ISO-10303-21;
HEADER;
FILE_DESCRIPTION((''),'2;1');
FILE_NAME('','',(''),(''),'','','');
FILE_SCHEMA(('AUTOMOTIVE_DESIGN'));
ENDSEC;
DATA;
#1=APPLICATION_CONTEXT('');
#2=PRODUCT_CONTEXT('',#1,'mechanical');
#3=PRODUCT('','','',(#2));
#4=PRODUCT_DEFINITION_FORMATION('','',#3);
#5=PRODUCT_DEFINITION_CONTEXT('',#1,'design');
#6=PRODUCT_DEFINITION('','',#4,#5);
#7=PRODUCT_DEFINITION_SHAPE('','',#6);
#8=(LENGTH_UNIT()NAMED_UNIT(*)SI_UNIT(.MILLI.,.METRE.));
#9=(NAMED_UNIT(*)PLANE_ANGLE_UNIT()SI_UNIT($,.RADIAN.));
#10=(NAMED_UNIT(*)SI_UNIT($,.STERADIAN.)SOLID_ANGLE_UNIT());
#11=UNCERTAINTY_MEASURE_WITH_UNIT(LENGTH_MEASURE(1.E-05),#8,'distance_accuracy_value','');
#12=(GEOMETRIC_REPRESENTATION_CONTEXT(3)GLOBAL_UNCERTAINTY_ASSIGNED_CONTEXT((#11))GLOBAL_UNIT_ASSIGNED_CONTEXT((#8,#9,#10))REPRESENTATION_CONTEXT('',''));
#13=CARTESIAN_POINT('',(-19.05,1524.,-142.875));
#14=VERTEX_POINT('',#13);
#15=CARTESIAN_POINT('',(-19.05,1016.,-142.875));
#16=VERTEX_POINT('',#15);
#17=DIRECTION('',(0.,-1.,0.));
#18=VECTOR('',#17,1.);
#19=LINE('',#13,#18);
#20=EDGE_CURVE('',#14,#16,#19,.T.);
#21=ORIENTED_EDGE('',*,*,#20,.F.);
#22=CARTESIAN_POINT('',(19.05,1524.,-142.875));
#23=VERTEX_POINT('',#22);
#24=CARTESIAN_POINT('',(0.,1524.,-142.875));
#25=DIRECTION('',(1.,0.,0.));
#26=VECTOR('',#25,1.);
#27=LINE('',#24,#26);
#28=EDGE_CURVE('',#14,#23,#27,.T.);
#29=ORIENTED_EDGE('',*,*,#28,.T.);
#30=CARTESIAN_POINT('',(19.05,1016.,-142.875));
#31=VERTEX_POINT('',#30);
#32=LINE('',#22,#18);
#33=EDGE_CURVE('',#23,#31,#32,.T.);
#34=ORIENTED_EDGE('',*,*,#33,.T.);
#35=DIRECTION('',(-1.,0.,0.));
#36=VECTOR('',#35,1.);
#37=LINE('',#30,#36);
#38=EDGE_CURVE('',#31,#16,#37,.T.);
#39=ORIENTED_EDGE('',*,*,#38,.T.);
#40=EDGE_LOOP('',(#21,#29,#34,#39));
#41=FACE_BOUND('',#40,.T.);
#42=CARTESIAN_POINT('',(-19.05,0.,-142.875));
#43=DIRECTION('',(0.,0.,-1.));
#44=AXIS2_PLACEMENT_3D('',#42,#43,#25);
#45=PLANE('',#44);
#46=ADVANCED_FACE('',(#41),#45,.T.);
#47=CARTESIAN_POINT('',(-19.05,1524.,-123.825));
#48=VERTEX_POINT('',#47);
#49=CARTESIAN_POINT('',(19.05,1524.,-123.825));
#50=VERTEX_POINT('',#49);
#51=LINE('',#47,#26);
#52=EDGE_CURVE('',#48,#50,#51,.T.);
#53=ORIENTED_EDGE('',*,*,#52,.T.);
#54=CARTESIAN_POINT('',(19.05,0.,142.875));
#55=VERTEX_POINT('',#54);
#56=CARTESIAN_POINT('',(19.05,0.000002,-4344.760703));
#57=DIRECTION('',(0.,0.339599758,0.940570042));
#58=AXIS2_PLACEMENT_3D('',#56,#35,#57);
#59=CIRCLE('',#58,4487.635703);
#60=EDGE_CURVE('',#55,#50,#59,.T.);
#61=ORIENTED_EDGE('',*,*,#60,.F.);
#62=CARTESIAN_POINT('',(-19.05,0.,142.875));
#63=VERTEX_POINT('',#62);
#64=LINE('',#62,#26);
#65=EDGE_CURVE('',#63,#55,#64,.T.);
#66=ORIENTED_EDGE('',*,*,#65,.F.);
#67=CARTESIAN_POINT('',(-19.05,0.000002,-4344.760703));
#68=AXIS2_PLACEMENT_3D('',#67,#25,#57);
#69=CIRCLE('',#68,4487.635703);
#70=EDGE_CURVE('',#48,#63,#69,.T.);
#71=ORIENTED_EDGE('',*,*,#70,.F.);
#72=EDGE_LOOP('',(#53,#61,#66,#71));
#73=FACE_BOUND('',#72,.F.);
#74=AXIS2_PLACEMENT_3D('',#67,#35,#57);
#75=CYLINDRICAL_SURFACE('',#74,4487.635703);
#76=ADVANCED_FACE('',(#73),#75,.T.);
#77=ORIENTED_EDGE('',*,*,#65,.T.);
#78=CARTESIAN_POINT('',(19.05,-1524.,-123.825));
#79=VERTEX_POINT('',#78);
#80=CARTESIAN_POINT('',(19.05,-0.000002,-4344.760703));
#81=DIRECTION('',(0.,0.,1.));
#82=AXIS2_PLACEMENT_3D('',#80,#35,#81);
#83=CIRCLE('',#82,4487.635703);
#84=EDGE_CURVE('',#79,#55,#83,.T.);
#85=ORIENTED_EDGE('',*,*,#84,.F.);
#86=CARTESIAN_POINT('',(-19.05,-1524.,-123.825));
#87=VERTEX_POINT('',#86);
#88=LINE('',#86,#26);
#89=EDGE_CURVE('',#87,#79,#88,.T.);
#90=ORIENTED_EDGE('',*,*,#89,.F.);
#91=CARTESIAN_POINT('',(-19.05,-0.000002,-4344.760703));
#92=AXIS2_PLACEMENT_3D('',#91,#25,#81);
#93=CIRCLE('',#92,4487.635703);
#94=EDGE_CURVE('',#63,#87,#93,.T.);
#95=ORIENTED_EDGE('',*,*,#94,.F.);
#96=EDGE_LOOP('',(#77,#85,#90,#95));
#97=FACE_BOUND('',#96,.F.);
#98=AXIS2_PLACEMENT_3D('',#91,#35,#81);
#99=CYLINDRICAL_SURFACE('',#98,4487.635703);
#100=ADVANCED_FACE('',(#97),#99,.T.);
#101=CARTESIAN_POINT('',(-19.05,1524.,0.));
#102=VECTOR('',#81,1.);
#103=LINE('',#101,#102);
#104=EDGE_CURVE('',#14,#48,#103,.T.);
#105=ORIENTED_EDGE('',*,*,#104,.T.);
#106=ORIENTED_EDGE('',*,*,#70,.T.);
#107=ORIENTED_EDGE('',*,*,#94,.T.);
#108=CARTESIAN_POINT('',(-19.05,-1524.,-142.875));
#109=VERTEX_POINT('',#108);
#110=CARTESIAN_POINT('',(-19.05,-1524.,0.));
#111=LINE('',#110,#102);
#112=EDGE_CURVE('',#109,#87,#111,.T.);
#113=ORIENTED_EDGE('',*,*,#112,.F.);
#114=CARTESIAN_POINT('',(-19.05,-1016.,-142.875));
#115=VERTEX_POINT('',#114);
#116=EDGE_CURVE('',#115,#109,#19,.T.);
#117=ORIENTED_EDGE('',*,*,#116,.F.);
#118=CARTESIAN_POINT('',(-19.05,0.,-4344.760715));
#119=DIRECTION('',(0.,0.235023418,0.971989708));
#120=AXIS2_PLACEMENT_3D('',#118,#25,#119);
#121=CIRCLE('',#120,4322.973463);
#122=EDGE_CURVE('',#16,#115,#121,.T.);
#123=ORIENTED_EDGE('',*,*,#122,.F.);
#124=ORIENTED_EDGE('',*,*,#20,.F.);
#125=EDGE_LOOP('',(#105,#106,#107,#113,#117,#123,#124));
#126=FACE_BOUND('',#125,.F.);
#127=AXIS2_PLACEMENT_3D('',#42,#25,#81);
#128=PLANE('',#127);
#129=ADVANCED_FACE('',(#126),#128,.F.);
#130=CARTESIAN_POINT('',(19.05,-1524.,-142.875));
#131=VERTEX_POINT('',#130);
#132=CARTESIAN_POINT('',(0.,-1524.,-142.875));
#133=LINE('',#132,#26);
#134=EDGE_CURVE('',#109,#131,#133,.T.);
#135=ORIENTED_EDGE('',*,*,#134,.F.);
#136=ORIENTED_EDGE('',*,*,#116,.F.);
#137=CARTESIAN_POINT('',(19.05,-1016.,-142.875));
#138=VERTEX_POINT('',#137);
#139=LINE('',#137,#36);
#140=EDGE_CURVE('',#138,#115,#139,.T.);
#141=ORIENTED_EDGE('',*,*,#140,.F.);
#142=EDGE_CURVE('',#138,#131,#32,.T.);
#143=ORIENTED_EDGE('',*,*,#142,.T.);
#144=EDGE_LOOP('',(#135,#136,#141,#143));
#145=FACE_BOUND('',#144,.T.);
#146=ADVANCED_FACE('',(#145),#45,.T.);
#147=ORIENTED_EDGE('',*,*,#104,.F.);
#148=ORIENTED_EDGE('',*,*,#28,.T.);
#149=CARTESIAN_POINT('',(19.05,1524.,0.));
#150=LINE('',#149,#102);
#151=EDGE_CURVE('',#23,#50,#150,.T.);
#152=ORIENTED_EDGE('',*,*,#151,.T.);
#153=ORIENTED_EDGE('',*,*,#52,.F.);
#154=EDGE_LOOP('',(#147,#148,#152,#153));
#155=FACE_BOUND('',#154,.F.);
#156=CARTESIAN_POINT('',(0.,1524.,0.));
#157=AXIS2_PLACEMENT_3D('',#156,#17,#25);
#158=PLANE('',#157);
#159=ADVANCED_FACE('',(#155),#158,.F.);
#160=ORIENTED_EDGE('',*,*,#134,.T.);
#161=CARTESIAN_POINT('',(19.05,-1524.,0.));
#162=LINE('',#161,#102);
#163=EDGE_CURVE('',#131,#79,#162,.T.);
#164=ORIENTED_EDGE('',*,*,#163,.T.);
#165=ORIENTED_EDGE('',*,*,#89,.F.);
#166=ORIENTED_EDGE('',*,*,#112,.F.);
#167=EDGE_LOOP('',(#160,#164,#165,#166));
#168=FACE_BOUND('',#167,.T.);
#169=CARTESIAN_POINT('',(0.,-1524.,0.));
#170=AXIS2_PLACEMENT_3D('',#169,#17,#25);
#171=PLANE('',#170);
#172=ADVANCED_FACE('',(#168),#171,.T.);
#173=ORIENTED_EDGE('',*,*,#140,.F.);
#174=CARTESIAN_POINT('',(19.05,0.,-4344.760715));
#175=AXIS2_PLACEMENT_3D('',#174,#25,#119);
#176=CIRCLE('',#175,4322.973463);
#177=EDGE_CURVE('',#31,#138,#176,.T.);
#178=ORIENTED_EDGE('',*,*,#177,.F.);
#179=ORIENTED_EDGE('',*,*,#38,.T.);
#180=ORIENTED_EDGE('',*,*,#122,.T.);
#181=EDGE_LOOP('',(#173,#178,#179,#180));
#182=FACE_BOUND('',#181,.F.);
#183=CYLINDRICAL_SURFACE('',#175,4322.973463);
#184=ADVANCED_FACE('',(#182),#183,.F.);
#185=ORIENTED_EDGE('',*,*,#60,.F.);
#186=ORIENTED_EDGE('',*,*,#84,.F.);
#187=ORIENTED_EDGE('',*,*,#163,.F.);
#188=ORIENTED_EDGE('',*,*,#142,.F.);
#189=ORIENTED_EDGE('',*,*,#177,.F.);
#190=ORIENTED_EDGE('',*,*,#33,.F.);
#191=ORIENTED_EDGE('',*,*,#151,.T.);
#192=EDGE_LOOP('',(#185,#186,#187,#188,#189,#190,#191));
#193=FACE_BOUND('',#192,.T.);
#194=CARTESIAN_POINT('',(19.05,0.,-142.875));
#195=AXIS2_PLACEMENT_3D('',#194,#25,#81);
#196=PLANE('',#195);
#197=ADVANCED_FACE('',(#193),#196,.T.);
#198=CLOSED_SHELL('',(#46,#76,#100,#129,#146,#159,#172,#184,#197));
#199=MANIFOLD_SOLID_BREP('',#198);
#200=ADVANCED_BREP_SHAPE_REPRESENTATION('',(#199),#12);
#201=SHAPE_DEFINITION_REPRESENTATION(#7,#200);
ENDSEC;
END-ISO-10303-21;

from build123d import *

# Parameters (mm, degrees)
F0_W     = 38.1
F0_H     = 285.75
F1_DEPTH = 1524
F3_DEPTH = 38.101
F5_DEPTH = 38.101


with BuildPart() as f1:
    # F0 (on Front) → F1 (new body, symmetric)
    with BuildSketch(Plane.XZ):
        Rectangle(F0_W, F0_H)
    extrude(amount=F1_DEPTH, both=True)

    # F2 (on face) → F3 (cut, through all)
    with BuildSketch(Plane(origin=(-19.05, 0, 0), x_dir=(0, -1, 0), z_dir=(-1, 0, 0))):
        with BuildLine():
            ThreePointArc((-1524, -123.825), (-773.580133, 75.69719), (0, 142.875))
            ThreePointArc((0, 142.875), (773.580133, 75.69719), (1524, -123.825))
            Line((1524, -123.825), (1568.751097, -123.825))
            Line((1568.751097, -123.825), (1568.751097, 303.390563))
            Line((1568.751097, 303.390563), (-1570.600986, 303.390563))
            Line((-1570.600986, 303.390563), (-1570.600986, -123.825))
            Line((-1570.600986, -123.825), (-1524, -123.825))
        make_face()
    extrude(amount=-F3_DEPTH, mode=Mode.SUBTRACT)

    # F4 (on face) → F5 (cut, through all)
    with BuildSketch(Plane.YZ.offset(19.05)):
        with BuildLine():
            Line((1016.469811, -481.722683), (1016, -142.875))
            ThreePointArc((1016, -142.875), (0, -21.787252), (-1016, -142.875))
            Line((-1016, -142.875), (-1016, -481.722683))
            Line((-1016, -481.722683), (1016.469811, -481.722683))
        make_face()
    extrude(amount=-F5_DEPTH, mode=Mode.SUBTRACT)


solid = f1.part
